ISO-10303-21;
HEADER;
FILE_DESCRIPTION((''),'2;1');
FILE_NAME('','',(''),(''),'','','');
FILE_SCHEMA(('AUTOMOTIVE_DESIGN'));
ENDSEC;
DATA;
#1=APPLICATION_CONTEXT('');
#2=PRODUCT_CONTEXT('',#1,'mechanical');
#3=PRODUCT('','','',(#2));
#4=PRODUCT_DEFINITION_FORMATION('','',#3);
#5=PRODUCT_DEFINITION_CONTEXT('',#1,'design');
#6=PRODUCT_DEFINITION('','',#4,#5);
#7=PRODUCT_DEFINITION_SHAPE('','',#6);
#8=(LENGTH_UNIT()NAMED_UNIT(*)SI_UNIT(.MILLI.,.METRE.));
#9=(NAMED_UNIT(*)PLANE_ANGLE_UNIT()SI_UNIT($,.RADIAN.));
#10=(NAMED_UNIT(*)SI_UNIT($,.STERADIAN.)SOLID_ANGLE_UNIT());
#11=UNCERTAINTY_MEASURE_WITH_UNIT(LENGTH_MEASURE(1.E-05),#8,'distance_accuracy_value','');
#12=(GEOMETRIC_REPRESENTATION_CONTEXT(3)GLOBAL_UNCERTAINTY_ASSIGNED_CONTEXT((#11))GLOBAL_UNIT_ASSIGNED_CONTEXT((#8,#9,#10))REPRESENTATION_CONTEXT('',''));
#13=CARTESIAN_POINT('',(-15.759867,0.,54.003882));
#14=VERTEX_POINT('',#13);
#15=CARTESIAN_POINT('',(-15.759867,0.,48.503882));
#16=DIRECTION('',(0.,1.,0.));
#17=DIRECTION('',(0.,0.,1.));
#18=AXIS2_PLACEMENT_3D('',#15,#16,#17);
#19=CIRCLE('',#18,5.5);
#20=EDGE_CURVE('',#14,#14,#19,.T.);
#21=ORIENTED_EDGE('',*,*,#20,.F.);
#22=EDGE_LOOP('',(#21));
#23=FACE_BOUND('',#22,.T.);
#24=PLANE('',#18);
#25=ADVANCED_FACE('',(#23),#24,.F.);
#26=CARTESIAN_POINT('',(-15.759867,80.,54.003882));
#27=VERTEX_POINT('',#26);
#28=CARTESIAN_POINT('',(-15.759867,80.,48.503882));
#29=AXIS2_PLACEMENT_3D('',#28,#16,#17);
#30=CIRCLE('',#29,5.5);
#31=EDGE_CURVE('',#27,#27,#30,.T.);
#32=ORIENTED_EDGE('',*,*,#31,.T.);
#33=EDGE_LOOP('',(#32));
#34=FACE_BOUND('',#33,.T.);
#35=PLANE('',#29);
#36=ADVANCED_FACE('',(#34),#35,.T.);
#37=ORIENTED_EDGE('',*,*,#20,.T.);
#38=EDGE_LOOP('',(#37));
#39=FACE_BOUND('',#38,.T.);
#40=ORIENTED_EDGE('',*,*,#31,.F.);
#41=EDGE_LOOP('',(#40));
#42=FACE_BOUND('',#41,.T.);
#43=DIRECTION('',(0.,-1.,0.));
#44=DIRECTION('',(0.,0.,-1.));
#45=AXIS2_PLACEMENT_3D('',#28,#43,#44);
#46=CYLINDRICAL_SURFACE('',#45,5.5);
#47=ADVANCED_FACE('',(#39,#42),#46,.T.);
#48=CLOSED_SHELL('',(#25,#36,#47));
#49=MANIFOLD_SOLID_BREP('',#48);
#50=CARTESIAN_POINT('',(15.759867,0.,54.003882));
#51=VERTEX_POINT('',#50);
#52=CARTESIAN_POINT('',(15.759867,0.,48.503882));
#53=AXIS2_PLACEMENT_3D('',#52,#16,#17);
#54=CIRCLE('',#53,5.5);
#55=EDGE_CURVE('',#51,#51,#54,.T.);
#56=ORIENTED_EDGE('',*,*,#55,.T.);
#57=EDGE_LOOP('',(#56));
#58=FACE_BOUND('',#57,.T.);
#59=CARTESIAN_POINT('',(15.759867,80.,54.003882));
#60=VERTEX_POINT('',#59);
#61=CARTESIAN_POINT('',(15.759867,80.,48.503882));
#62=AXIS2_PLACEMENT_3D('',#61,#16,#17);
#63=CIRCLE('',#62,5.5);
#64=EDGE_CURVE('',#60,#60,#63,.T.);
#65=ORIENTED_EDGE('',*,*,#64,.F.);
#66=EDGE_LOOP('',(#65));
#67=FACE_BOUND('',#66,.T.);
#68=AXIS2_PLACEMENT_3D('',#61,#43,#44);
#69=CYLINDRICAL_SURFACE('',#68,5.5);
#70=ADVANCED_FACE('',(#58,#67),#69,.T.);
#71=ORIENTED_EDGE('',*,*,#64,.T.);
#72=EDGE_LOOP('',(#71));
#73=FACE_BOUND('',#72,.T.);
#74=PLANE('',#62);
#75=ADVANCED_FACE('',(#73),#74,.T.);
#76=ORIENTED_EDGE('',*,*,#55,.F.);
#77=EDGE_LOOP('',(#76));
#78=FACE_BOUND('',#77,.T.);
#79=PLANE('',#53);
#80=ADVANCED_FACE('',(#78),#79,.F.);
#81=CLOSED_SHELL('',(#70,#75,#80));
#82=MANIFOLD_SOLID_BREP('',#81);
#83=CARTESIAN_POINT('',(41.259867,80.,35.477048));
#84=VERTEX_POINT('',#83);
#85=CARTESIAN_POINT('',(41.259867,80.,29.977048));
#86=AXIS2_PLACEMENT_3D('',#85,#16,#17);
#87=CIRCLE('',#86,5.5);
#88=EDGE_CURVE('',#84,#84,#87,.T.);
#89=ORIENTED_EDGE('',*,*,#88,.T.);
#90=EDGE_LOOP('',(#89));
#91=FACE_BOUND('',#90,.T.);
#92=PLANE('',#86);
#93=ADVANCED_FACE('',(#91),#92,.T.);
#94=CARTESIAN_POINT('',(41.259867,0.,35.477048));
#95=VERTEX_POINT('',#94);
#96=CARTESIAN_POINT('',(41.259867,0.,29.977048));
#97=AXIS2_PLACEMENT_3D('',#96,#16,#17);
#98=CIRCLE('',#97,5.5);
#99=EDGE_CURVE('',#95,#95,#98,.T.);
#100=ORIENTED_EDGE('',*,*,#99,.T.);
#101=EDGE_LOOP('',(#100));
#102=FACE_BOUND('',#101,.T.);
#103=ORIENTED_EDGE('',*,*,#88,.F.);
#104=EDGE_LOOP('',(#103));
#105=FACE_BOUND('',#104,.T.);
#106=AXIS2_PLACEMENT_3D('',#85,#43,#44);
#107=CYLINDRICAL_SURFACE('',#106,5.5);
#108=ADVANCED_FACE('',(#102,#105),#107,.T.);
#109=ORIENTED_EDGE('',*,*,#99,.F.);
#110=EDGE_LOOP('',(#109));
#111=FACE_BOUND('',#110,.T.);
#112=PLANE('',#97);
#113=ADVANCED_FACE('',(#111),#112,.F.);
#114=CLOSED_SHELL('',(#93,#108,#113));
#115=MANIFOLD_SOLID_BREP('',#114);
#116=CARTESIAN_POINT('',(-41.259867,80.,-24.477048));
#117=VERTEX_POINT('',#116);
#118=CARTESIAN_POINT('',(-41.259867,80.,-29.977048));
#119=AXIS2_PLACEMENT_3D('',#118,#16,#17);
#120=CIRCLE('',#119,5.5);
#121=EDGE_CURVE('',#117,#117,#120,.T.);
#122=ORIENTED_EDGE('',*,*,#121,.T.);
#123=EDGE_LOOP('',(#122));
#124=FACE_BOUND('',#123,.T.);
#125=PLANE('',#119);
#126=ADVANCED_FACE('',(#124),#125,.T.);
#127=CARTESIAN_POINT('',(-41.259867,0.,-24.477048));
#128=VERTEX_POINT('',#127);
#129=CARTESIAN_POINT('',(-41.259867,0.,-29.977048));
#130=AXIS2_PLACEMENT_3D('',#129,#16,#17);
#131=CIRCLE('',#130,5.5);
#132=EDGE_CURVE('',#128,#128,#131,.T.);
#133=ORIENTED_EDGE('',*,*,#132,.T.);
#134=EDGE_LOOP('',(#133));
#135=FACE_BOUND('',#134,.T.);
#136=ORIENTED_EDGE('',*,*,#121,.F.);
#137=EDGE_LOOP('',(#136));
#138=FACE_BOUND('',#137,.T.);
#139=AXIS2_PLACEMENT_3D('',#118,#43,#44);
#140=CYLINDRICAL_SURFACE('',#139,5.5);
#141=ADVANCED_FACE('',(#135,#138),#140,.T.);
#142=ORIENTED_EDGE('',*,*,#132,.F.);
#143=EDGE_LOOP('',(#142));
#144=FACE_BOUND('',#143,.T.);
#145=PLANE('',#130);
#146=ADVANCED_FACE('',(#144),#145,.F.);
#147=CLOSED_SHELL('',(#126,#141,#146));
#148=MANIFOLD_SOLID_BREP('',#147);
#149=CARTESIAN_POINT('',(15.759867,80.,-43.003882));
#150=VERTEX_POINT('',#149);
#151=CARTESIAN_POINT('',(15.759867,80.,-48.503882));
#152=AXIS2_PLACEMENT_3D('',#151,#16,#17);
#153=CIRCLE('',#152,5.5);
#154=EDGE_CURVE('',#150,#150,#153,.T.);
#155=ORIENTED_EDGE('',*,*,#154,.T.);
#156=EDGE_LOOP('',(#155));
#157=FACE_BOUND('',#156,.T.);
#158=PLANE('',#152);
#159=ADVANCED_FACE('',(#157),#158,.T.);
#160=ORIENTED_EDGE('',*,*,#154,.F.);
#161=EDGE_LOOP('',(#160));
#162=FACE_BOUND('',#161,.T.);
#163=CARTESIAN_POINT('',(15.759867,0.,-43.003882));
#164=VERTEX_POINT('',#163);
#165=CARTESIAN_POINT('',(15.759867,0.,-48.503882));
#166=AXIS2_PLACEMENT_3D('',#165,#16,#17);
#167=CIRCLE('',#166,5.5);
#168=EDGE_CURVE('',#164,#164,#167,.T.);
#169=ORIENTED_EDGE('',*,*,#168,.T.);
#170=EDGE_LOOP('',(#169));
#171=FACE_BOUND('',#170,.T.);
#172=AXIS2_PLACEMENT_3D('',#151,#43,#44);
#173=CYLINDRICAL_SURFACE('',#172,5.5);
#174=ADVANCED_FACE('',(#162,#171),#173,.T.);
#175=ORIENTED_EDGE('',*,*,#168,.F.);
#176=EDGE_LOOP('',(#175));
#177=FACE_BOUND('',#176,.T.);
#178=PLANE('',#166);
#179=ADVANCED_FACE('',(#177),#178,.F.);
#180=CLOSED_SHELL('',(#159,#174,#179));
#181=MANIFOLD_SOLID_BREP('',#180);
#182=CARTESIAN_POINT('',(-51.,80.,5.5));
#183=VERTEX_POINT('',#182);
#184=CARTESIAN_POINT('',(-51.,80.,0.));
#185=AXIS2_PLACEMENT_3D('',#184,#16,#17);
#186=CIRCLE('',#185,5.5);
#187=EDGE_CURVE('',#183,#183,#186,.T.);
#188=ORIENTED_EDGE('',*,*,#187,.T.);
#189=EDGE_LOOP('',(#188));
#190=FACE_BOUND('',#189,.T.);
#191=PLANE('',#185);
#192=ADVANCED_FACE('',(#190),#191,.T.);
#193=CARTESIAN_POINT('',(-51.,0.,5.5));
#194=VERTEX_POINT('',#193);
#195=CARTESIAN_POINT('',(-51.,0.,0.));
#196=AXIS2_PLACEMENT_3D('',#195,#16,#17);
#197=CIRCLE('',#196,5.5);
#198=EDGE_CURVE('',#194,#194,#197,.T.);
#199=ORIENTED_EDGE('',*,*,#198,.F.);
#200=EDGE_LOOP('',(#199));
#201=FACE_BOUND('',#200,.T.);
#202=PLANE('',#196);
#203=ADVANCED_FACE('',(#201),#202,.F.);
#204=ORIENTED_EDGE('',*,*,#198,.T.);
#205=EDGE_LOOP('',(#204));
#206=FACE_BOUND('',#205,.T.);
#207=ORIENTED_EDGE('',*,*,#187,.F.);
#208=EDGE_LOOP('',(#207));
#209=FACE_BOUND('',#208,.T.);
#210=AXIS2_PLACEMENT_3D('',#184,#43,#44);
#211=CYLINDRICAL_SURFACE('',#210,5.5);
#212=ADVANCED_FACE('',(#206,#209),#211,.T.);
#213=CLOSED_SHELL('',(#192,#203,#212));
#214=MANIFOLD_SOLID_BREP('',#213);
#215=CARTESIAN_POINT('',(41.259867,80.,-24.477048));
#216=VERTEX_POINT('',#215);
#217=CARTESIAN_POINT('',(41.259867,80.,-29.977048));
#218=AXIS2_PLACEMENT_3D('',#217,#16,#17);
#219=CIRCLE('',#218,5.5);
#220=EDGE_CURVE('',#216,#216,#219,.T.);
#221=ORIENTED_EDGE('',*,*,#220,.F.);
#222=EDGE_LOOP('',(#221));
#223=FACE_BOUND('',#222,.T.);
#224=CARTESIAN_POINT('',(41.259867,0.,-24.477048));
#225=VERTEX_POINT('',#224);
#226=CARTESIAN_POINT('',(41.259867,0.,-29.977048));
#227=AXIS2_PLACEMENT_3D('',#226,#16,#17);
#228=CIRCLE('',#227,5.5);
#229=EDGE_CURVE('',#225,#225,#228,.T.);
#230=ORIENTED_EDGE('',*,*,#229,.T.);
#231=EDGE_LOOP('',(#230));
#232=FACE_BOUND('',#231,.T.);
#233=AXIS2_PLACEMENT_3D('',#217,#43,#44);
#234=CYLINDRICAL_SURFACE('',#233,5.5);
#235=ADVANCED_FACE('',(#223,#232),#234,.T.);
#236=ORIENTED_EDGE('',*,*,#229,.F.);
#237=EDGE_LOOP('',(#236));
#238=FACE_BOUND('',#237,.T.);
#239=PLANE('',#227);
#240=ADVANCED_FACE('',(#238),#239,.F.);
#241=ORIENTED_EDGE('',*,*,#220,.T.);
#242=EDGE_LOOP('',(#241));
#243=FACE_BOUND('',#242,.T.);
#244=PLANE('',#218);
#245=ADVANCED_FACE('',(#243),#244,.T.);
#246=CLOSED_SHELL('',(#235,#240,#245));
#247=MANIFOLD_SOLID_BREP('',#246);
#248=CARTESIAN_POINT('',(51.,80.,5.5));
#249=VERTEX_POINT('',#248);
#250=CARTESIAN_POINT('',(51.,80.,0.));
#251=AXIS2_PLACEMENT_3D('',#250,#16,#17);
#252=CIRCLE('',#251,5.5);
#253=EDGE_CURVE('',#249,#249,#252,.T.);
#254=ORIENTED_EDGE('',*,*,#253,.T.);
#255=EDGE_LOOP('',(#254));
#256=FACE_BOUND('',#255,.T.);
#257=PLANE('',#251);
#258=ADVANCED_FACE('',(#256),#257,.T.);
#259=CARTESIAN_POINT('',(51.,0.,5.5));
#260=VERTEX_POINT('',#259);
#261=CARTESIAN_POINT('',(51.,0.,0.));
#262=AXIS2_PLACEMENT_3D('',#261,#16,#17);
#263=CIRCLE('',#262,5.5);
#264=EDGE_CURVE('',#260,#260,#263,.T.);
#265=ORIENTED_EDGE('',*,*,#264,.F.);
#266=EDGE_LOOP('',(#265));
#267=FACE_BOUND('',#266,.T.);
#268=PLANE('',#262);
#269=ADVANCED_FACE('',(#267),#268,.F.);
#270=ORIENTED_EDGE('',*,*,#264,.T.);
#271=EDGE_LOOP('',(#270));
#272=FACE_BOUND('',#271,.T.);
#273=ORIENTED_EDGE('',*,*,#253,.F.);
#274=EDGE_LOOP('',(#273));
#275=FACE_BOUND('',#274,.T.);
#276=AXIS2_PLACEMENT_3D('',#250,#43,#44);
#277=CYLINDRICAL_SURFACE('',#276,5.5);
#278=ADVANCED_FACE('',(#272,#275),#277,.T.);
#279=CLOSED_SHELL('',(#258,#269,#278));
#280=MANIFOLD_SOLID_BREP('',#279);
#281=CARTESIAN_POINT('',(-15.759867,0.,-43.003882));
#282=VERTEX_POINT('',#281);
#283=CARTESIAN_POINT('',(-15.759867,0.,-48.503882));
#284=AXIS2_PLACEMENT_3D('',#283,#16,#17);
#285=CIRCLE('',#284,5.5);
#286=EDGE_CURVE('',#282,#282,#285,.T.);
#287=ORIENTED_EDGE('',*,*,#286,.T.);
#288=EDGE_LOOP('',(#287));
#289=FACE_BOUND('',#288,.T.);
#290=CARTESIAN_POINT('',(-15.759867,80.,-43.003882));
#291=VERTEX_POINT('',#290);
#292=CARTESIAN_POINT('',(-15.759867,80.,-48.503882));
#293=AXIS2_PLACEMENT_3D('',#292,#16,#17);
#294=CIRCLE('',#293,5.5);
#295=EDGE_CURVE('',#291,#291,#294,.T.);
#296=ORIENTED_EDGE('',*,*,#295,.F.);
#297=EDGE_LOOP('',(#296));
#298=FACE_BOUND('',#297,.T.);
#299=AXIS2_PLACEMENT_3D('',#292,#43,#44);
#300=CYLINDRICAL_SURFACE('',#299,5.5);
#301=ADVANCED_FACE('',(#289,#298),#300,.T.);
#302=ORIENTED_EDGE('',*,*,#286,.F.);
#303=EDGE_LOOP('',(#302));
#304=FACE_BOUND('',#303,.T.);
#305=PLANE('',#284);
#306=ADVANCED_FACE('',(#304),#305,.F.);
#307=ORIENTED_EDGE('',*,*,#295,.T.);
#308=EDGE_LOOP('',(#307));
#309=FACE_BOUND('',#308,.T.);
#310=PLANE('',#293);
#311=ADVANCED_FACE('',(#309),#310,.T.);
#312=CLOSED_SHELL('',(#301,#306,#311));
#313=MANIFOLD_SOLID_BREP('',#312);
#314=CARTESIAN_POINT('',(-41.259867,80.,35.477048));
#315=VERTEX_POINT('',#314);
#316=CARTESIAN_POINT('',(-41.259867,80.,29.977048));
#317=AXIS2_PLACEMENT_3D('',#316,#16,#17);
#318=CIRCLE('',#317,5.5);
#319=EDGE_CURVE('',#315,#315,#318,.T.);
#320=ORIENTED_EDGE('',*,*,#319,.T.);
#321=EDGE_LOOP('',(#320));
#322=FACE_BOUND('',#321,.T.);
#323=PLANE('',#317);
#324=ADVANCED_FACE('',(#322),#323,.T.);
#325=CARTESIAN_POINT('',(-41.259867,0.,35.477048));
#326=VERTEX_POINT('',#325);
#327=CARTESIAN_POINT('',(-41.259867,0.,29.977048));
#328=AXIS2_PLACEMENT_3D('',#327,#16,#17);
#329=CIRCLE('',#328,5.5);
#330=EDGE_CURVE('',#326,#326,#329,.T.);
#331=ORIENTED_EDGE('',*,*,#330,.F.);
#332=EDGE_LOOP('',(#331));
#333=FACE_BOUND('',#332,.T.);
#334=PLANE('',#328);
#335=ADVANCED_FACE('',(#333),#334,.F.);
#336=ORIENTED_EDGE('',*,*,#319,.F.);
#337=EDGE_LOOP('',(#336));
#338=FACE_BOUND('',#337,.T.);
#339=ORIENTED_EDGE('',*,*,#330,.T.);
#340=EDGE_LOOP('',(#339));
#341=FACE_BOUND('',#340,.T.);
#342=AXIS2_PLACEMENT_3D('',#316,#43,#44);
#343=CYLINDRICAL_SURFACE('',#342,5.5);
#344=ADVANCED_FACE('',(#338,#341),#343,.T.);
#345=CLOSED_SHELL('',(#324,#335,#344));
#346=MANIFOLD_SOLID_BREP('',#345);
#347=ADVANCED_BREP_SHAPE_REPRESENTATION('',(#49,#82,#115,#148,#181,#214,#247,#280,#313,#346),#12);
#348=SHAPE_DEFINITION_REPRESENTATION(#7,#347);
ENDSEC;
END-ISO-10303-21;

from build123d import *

# Parameters (mm, degrees)
SKETCH1_R              = 5.5
BOSS_EXTRUDE1_DEPTH    = 80
BOSS_EXTRUDE1_2_DEPTH  = 80
BOSS_EXTRUDE1_3_DEPTH  = 80
BOSS_EXTRUDE1_4_DEPTH  = 80
BOSS_EXTRUDE1_5_DEPTH  = 80
BOSS_EXTRUDE1_6_DEPTH  = 80
BOSS_EXTRUDE1_7_DEPTH  = 80
BOSS_EXTRUDE1_8_DEPTH  = 80
BOSS_EXTRUDE1_9_DEPTH  = 80
BOSS_EXTRUDE1_10_DEPTH = 80


with BuildPart() as part:
    # Sketch1 → Boss-Extrude1 (new body)
    with BuildSketch(Plane(origin=(0, 0, 0), x_dir=(1, 0, 0), z_dir=(0, 1, 0))):
        with Locations((51, 0)):
            Circle(SKETCH1_R)
    extrude(amount=BOSS_EXTRUDE1_DEPTH)


with BuildPart() as body_2:
    # Sketch1 → Boss-Extrude1 2 (new body)
    with BuildSketch(Plane(origin=(0, 0, 0), x_dir=(1, 0, 0), z_dir=(0, 1, 0))):
        with Locations((41.259866713, -29.977047867)):
            Circle(SKETCH1_R)
    extrude(amount=BOSS_EXTRUDE1_2_DEPTH)


with BuildPart() as body_3:
    # Sketch1 → Boss-Extrude1 3 (new body)
    with BuildSketch(Plane(origin=(0, 0, 0), x_dir=(1, 0, 0), z_dir=(0, 1, 0))):
        with Locations((15.759866713, -48.503882331)):
            Circle(SKETCH1_R)
    extrude(amount=BOSS_EXTRUDE1_3_DEPTH)


with BuildPart() as body_4:
    # Sketch1 → Boss-Extrude1 4 (new body)
    with BuildSketch(Plane(origin=(0, 0, 0), x_dir=(1, 0, 0), z_dir=(0, 1, 0))):
        with Locations((-15.759866713, -48.503882331)):
            Circle(SKETCH1_R)
    extrude(amount=BOSS_EXTRUDE1_4_DEPTH)


with BuildPart() as body_5:
    # Sketch1 → Boss-Extrude1 5 (new body)
    with BuildSketch(Plane(origin=(0, 0, 0), x_dir=(1, 0, 0), z_dir=(0, 1, 0))):
        with Locations((-41.259866713, -29.977047867)):
            Circle(SKETCH1_R)
    extrude(amount=BOSS_EXTRUDE1_5_DEPTH)


with BuildPart() as body_6:
    # Sketch1 → Boss-Extrude1 6 (new body)
    with BuildSketch(Plane(origin=(0, 0, 0), x_dir=(1, 0, 0), z_dir=(0, 1, 0))):
        with Locations((-51, 0)):
            Circle(SKETCH1_R)
    extrude(amount=BOSS_EXTRUDE1_6_DEPTH)


with BuildPart() as body_7:
    # Sketch1 → Boss-Extrude1 7 (new body)
    with BuildSketch(Plane(origin=(0, 0, 0), x_dir=(1, 0, 0), z_dir=(0, 1, 0))):
        with Locations((-41.259866713, 29.977047867)):
            Circle(SKETCH1_R)
    extrude(amount=BOSS_EXTRUDE1_7_DEPTH)


with BuildPart() as body_8:
    # Sketch1 → Boss-Extrude1 8 (new body)
    with BuildSketch(Plane(origin=(0, 0, 0), x_dir=(1, 0, 0), z_dir=(0, 1, 0))):
        with Locations((-15.759866713, 48.503882331)):
            Circle(SKETCH1_R)
    extrude(amount=BOSS_EXTRUDE1_8_DEPTH)


with BuildPart() as body_9:
    # Sketch1 → Boss-Extrude1 9 (new body)
    with BuildSketch(Plane(origin=(0, 0, 0), x_dir=(1, 0, 0), z_dir=(0, 1, 0))):
        with Locations((15.759866713, 48.503882331)):
            Circle(SKETCH1_R)
    extrude(amount=BOSS_EXTRUDE1_9_DEPTH)


with BuildPart() as body_10:
    # Sketch1 → Boss-Extrude1 10 (new body)
    with BuildSketch(Plane(origin=(0, 0, 0), x_dir=(1, 0, 0), z_dir=(0, 1, 0))):
        with Locations((41.259866713, 29.977047867)):
            Circle(SKETCH1_R)
    extrude(amount=BOSS_EXTRUDE1_10_DEPTH)


solid = Compound([part.part, body_2.part, body_3.part, body_4.part, body_5.part, body_6.part, body_7.part, body_8.part, body_9.part, body_10.part])
